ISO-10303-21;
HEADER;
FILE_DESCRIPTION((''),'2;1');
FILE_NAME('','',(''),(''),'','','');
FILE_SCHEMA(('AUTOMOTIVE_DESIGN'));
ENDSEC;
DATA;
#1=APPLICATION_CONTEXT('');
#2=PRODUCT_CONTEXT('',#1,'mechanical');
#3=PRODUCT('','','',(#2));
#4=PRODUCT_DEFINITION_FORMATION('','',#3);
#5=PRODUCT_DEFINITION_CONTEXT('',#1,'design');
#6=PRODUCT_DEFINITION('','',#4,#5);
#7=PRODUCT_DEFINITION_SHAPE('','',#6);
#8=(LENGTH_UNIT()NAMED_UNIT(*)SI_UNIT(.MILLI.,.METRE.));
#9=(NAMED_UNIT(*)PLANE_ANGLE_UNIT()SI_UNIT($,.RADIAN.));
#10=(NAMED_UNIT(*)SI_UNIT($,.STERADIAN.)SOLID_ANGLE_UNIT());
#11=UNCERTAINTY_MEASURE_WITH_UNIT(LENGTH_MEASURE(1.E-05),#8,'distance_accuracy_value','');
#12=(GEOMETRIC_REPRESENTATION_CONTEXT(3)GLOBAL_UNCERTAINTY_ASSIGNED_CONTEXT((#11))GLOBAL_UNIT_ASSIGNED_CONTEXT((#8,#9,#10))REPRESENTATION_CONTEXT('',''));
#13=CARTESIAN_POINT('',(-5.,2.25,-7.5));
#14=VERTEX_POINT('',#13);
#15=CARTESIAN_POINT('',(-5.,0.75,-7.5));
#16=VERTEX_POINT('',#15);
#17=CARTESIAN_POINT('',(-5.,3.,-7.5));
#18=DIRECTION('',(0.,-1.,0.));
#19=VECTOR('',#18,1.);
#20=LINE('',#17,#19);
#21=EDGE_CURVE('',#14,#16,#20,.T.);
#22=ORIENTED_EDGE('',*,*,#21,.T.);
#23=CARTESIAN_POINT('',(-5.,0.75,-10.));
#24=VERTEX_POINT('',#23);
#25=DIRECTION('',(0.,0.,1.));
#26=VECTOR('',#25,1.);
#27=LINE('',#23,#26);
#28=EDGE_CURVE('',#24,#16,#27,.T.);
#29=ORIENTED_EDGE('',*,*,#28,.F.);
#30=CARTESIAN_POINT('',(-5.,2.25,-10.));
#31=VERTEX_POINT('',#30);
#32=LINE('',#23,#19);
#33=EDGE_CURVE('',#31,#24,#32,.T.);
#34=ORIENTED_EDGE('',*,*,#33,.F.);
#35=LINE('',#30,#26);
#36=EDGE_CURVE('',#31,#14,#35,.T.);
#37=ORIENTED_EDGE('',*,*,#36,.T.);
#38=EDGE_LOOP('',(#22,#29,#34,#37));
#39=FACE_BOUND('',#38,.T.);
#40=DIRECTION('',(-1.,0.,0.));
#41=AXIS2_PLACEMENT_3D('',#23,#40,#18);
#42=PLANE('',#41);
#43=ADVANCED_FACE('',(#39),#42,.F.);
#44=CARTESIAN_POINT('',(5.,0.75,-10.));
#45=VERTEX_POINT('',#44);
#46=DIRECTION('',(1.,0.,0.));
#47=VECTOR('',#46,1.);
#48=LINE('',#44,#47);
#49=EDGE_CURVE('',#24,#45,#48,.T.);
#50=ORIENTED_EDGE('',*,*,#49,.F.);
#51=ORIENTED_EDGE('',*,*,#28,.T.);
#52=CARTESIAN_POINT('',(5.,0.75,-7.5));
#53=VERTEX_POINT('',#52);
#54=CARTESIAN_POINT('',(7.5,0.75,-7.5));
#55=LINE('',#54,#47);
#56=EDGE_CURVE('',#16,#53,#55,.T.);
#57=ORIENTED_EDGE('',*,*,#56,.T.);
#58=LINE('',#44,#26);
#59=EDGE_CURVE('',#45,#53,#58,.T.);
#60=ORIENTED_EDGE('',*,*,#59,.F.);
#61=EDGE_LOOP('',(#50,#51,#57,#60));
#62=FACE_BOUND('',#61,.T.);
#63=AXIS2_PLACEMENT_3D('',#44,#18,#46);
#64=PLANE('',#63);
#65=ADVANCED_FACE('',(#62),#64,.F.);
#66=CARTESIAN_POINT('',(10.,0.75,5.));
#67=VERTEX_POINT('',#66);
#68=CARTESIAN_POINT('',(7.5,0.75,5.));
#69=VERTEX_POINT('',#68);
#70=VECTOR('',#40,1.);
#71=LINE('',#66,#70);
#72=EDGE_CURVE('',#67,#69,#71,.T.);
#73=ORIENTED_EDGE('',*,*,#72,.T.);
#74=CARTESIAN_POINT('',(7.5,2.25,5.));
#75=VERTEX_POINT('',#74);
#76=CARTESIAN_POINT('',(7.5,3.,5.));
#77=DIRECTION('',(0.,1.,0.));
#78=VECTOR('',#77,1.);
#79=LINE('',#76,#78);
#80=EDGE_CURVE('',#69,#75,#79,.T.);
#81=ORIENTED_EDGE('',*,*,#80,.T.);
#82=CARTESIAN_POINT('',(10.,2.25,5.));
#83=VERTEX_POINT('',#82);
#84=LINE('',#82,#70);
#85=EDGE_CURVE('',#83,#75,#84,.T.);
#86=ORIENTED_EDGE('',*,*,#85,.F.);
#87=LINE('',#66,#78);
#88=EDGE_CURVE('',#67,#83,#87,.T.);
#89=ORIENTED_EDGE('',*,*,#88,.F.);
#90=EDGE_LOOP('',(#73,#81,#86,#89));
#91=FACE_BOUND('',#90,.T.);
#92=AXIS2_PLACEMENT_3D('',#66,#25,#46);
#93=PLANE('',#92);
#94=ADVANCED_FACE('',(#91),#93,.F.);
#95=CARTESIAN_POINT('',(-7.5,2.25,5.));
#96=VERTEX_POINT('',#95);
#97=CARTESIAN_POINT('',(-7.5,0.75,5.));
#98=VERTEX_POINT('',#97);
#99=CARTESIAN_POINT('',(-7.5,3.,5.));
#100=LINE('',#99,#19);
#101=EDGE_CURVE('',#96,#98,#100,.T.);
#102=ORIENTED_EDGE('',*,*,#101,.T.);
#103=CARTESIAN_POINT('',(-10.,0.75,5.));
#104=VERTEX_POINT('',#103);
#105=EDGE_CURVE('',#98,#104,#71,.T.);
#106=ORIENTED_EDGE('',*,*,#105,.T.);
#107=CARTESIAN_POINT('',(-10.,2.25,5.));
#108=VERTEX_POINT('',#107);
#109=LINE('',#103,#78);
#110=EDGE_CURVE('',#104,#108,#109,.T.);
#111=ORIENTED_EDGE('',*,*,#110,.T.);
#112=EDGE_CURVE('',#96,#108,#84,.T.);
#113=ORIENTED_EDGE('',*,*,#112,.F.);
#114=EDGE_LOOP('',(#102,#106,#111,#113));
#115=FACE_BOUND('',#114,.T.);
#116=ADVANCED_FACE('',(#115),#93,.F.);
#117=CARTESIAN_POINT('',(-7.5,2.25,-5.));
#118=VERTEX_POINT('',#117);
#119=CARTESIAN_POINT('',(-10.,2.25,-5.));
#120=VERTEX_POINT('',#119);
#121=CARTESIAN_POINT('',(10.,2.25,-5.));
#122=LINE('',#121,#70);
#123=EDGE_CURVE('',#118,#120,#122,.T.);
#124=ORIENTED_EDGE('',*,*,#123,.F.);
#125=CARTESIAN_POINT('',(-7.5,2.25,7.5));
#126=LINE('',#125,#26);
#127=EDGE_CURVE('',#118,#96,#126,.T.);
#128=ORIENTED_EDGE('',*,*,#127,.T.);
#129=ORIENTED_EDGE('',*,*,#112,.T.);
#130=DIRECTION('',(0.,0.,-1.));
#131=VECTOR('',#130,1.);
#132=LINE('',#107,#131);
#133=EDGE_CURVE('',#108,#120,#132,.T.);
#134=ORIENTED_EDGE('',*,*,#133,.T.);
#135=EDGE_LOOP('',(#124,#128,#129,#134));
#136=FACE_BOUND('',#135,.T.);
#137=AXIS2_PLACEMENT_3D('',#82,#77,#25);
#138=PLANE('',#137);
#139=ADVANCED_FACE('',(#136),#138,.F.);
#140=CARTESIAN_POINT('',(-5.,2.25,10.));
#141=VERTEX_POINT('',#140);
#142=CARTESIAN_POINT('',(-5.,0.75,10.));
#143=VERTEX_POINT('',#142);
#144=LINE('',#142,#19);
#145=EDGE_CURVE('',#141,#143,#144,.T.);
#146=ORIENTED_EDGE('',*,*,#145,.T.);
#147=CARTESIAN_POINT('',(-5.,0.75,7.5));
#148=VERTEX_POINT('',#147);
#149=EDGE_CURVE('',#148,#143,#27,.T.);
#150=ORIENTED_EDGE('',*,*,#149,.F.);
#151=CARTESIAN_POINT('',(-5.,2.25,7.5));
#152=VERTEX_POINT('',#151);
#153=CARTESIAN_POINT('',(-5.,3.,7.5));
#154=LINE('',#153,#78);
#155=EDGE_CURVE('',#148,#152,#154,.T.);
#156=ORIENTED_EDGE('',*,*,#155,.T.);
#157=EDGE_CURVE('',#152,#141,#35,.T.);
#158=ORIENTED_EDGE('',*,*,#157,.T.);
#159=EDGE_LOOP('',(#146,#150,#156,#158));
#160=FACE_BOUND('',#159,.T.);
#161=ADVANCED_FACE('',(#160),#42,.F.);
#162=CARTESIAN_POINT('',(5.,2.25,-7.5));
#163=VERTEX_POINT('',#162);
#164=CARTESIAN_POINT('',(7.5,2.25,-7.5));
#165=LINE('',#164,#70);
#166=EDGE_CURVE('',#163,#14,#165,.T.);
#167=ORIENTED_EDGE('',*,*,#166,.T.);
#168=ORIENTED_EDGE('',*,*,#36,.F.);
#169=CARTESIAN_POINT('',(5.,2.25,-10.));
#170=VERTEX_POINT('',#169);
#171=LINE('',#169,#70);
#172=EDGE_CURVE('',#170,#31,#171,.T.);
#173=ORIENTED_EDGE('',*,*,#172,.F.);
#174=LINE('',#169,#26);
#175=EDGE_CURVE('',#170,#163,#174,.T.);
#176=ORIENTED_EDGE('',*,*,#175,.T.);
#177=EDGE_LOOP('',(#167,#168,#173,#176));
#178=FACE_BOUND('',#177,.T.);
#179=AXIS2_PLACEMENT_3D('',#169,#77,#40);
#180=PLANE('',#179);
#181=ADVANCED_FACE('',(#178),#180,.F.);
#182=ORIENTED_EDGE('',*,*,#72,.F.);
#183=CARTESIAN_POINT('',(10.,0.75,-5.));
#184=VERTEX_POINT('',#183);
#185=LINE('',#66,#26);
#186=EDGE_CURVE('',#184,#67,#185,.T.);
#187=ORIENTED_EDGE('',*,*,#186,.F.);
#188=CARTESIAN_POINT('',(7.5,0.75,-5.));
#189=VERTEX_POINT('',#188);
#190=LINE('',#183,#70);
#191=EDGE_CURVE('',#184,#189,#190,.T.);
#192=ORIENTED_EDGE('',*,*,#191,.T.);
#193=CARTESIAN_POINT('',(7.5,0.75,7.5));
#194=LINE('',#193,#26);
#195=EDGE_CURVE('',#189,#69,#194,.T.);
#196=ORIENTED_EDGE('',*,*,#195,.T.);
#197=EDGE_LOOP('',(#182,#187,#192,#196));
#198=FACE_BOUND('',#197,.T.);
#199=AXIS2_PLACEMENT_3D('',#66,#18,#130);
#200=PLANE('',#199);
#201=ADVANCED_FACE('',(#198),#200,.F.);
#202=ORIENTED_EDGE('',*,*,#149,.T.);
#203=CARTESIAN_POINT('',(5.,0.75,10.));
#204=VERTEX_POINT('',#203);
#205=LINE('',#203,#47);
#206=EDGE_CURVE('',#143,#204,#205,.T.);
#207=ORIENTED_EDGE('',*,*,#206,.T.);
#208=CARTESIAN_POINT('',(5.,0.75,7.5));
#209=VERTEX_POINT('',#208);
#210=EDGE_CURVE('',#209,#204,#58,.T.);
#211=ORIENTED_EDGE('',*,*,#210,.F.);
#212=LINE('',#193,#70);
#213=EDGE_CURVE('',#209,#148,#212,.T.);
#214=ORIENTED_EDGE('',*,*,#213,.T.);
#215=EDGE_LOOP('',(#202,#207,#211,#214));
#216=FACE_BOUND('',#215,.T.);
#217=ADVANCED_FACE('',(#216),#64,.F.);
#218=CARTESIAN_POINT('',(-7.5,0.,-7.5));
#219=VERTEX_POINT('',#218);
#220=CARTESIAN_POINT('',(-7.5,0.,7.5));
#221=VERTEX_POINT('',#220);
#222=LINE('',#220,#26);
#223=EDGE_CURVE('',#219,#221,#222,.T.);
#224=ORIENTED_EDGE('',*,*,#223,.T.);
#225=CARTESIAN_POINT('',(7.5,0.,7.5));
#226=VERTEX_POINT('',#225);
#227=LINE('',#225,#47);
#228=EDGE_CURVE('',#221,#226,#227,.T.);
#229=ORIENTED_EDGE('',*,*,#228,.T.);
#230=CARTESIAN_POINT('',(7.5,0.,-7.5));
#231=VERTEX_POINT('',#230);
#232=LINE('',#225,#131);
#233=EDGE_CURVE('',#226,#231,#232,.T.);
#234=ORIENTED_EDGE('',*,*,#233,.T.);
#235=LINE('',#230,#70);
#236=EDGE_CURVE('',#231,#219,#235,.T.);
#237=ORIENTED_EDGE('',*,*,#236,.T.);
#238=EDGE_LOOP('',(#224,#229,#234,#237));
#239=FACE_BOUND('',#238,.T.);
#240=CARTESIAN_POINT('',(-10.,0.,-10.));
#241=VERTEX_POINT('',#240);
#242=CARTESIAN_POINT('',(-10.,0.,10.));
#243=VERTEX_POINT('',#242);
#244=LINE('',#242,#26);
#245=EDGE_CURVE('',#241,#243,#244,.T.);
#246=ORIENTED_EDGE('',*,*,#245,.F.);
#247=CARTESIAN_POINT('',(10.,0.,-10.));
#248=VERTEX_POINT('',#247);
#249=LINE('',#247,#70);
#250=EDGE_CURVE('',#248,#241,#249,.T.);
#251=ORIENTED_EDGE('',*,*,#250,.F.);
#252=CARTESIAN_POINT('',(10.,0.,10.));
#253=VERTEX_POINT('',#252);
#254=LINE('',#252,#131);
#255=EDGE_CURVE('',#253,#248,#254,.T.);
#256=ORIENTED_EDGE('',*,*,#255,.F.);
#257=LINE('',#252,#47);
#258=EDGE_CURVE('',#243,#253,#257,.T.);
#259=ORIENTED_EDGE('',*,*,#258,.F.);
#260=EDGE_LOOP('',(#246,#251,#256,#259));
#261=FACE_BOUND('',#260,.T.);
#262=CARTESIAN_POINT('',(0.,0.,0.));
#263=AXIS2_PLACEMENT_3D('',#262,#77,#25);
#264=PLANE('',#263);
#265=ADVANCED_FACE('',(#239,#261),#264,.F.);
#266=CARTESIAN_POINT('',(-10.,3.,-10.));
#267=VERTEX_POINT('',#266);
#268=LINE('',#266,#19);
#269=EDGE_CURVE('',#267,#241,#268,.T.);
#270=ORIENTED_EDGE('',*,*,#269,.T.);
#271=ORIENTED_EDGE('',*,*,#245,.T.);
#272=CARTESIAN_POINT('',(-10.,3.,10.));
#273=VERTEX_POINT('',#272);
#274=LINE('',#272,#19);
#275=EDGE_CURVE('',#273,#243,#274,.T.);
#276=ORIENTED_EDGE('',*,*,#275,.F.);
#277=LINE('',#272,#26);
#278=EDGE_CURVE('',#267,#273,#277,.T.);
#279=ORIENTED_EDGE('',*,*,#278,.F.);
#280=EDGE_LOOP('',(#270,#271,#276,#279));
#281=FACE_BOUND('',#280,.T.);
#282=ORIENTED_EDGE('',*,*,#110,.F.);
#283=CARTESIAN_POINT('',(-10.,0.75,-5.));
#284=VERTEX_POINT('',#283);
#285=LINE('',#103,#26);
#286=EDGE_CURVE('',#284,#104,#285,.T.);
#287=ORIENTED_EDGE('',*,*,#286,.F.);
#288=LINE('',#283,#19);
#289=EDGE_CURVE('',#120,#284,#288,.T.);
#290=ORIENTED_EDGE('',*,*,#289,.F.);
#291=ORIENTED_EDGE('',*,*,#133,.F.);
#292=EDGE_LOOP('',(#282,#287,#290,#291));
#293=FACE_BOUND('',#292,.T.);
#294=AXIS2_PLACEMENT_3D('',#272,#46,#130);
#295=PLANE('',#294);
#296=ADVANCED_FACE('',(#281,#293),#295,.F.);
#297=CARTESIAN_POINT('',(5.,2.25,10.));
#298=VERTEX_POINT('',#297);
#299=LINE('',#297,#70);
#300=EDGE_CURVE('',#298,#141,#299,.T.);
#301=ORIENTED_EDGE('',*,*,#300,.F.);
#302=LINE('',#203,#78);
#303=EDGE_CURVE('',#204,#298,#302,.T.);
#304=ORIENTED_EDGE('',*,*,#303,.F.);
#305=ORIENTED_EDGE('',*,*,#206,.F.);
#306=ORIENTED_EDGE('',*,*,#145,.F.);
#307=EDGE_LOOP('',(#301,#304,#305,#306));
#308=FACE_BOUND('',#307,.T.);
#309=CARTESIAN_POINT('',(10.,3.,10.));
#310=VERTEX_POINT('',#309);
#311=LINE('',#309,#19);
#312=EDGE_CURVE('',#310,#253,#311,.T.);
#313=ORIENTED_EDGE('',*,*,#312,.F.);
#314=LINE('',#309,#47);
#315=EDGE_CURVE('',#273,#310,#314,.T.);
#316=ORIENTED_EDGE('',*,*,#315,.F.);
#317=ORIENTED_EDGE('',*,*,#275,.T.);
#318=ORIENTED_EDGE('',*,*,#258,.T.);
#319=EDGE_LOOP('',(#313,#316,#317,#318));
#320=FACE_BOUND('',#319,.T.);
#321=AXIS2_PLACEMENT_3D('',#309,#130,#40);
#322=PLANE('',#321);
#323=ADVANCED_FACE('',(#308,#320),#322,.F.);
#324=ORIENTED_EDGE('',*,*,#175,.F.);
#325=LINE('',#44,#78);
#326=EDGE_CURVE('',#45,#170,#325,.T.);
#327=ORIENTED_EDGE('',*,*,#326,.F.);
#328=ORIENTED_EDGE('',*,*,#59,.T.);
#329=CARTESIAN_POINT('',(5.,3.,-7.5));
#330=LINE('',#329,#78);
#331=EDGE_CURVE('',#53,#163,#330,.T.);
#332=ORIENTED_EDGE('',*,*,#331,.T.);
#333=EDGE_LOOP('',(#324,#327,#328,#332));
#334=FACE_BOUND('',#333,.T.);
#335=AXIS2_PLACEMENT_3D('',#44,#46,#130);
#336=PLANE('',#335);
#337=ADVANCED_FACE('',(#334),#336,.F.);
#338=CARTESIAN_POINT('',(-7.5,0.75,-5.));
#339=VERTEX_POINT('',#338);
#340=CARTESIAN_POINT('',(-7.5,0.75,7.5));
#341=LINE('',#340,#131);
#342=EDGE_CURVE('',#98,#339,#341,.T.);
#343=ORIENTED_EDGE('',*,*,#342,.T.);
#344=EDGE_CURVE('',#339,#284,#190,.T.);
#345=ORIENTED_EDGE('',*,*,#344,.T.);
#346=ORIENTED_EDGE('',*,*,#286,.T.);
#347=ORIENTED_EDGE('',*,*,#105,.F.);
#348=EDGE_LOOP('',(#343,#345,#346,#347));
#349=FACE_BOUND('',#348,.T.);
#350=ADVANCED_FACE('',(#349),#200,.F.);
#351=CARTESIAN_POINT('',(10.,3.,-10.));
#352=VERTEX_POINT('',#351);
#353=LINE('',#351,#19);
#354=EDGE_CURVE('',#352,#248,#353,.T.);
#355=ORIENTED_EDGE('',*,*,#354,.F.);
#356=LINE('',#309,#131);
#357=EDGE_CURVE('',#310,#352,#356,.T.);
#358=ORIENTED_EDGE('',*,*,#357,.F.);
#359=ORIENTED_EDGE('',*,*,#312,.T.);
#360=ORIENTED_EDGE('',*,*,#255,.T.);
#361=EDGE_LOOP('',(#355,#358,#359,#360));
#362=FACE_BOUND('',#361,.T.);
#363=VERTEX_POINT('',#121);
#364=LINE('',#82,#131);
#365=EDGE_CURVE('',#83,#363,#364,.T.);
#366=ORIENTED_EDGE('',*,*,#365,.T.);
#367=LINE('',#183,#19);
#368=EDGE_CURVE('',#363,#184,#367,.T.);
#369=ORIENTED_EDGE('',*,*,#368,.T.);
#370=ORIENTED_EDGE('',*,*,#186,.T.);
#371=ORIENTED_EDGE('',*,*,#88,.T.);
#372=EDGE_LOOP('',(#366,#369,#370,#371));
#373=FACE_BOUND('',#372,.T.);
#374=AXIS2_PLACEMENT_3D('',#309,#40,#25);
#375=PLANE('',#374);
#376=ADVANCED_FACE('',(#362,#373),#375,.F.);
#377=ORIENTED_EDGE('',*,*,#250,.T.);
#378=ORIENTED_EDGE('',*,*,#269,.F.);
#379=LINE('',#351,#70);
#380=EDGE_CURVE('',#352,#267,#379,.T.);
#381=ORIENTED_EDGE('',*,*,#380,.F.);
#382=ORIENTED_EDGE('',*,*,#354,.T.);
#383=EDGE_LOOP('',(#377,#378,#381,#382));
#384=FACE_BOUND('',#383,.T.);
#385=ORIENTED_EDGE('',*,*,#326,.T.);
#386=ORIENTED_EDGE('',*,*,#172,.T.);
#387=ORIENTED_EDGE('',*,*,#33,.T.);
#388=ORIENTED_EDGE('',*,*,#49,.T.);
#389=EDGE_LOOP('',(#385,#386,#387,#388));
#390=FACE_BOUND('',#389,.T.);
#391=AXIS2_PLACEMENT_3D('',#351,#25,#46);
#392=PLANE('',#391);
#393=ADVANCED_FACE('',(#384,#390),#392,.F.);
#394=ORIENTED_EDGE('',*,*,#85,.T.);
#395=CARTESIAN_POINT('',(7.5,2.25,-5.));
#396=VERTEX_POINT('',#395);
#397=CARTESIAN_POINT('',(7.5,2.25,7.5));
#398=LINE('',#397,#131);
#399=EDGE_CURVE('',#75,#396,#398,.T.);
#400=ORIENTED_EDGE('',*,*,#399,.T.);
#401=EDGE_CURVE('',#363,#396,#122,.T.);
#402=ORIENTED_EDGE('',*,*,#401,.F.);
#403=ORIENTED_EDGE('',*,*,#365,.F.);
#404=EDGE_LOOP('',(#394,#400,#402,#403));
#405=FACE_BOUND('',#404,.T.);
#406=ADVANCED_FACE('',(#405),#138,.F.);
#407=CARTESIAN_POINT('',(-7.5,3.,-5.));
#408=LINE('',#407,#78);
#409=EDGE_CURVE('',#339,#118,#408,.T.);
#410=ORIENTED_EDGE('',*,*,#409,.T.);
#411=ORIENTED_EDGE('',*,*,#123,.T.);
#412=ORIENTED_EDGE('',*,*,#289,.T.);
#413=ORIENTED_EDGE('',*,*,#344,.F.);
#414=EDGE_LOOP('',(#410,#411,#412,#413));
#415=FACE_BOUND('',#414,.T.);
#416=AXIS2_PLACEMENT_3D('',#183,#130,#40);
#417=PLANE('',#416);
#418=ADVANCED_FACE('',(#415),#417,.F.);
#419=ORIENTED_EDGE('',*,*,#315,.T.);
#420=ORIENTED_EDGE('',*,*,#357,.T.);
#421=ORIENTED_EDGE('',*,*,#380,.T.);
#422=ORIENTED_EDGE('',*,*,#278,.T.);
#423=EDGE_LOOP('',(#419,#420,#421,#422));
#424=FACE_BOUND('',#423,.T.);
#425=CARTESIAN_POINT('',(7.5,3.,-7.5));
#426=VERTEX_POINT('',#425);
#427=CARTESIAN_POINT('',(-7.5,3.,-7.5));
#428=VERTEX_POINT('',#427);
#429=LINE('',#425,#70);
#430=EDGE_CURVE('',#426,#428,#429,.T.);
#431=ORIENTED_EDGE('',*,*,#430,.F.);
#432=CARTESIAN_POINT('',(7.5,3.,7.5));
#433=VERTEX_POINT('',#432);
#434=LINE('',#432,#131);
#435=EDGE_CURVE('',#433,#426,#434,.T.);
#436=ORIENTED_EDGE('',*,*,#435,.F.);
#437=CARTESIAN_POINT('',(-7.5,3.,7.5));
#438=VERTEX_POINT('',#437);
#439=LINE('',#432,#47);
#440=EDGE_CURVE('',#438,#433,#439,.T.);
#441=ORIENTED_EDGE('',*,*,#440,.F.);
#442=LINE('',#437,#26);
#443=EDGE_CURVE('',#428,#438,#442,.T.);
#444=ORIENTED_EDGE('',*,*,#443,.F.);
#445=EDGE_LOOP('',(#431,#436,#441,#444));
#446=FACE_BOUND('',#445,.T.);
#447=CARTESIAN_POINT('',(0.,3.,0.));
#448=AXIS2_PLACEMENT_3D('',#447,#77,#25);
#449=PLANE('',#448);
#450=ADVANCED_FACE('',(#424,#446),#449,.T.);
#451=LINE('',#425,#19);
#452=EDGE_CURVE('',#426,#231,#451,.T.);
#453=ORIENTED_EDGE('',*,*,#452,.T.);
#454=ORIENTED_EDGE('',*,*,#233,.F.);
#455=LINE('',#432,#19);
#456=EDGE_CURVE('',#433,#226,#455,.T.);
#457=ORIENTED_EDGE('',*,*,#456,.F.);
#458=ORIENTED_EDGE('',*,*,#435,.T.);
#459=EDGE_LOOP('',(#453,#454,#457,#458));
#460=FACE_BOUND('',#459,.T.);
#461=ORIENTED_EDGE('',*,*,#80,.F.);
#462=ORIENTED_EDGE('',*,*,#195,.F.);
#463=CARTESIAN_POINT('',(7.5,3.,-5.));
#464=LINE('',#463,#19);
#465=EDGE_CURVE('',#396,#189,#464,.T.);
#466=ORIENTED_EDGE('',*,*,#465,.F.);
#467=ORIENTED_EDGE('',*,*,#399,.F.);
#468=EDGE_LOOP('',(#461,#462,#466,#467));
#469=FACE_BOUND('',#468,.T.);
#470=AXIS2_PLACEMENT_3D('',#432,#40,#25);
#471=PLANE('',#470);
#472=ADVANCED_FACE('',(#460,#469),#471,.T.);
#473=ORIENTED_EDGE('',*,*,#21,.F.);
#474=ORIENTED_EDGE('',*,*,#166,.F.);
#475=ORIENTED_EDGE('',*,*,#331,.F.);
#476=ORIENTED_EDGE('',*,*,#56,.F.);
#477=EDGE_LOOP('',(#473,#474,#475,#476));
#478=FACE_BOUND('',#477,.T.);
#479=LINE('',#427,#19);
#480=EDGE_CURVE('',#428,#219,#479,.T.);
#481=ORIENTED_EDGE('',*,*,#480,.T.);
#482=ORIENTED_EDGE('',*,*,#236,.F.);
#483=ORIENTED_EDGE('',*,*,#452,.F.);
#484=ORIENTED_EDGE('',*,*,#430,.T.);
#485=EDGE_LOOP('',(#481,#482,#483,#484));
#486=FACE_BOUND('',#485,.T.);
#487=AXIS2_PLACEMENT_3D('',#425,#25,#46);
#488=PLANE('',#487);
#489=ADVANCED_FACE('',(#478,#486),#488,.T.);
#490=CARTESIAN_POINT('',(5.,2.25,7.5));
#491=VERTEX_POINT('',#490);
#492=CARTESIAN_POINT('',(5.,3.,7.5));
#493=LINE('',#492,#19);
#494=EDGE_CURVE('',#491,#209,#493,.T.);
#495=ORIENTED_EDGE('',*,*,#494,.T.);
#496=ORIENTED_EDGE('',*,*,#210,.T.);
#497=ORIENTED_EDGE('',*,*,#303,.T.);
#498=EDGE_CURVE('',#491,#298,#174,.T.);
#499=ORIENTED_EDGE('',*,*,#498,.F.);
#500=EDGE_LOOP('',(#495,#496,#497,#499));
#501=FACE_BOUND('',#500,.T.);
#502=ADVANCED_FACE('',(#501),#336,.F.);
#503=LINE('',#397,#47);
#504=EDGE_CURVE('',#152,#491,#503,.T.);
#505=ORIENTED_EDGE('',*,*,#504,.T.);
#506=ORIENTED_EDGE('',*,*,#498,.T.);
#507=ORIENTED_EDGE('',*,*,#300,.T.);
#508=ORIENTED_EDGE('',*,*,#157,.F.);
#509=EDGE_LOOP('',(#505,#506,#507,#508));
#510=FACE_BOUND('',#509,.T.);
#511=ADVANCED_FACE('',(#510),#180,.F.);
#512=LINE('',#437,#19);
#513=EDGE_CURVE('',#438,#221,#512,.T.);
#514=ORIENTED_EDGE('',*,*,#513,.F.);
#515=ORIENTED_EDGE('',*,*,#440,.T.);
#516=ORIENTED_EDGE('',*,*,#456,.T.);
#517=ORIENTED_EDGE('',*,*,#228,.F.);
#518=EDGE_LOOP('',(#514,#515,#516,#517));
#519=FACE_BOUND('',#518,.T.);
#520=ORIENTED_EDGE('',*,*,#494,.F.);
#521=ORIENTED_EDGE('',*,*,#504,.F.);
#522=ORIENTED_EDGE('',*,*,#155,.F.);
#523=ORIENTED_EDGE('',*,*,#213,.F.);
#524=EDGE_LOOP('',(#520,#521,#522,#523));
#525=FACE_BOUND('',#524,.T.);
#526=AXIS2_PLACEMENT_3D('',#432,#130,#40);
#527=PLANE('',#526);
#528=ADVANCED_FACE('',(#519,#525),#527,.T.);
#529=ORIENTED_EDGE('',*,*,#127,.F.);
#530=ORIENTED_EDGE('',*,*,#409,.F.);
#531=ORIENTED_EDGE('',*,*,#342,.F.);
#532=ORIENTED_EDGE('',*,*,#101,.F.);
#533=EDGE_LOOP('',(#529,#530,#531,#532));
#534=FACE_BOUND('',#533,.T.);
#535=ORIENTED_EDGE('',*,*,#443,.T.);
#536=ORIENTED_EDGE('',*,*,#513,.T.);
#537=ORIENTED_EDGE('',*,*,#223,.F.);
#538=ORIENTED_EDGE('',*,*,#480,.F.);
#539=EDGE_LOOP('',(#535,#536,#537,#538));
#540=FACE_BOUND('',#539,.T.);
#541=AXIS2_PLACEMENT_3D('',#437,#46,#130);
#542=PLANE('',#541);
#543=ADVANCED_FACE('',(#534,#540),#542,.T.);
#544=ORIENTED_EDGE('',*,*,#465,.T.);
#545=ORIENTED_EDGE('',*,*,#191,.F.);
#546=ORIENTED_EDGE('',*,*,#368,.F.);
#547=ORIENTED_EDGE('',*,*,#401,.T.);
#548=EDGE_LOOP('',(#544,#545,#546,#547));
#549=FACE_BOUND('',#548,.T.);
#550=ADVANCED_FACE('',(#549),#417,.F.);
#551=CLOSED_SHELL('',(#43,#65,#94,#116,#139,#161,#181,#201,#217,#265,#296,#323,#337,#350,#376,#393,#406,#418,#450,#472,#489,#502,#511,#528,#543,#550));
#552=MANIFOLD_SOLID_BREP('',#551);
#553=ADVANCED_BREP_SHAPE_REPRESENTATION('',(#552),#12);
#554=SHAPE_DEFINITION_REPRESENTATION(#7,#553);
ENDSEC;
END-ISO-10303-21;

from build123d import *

# Parameters (mm, degrees)
SKETCH1_W           = 20
SKETCH1_H           = 20
SKETCH1_W_2         = 15
SKETCH1_H_2         = 15
BOSS_EXTRUDE1_DEPTH = 3
SKETCH2_W           = 10
SKETCH2_H           = 1.5
CUT_EXTRUDE1_DEPTH  = 21
SKETCH3_W           = 10
SKETCH3_H           = 1.5
CUT_EXTRUDE2_DEPTH  = 21


with BuildPart() as part:
    # Sketch1 → Boss-Extrude1 (new body)
    with BuildSketch(Plane(origin=(0, 0, 0), x_dir=(1, 0, 0), z_dir=(0, 1, 0))):
        Rectangle(SKETCH1_W, SKETCH1_H)
        Rectangle(SKETCH1_W_2, SKETCH1_H_2, mode=Mode.SUBTRACT)
    extrude(amount=BOSS_EXTRUDE1_DEPTH)

    # Sketch2 → Cut-Extrude1 (cut, through all)
    with BuildSketch(Plane.XY.offset(10)):
        with Locations((0, 1.5)):
            Rectangle(SKETCH2_W, SKETCH2_H)
    extrude(amount=-CUT_EXTRUDE1_DEPTH, mode=Mode.SUBTRACT)

    # Sketch3 → Cut-Extrude2 (cut, through all)
    with BuildSketch(Plane.ZY.offset(10)):
        with Locations((0, 1.5)):
            Rectangle(SKETCH3_W, SKETCH3_H)
    extrude(amount=-CUT_EXTRUDE2_DEPTH, mode=Mode.SUBTRACT)


solid = part.part
